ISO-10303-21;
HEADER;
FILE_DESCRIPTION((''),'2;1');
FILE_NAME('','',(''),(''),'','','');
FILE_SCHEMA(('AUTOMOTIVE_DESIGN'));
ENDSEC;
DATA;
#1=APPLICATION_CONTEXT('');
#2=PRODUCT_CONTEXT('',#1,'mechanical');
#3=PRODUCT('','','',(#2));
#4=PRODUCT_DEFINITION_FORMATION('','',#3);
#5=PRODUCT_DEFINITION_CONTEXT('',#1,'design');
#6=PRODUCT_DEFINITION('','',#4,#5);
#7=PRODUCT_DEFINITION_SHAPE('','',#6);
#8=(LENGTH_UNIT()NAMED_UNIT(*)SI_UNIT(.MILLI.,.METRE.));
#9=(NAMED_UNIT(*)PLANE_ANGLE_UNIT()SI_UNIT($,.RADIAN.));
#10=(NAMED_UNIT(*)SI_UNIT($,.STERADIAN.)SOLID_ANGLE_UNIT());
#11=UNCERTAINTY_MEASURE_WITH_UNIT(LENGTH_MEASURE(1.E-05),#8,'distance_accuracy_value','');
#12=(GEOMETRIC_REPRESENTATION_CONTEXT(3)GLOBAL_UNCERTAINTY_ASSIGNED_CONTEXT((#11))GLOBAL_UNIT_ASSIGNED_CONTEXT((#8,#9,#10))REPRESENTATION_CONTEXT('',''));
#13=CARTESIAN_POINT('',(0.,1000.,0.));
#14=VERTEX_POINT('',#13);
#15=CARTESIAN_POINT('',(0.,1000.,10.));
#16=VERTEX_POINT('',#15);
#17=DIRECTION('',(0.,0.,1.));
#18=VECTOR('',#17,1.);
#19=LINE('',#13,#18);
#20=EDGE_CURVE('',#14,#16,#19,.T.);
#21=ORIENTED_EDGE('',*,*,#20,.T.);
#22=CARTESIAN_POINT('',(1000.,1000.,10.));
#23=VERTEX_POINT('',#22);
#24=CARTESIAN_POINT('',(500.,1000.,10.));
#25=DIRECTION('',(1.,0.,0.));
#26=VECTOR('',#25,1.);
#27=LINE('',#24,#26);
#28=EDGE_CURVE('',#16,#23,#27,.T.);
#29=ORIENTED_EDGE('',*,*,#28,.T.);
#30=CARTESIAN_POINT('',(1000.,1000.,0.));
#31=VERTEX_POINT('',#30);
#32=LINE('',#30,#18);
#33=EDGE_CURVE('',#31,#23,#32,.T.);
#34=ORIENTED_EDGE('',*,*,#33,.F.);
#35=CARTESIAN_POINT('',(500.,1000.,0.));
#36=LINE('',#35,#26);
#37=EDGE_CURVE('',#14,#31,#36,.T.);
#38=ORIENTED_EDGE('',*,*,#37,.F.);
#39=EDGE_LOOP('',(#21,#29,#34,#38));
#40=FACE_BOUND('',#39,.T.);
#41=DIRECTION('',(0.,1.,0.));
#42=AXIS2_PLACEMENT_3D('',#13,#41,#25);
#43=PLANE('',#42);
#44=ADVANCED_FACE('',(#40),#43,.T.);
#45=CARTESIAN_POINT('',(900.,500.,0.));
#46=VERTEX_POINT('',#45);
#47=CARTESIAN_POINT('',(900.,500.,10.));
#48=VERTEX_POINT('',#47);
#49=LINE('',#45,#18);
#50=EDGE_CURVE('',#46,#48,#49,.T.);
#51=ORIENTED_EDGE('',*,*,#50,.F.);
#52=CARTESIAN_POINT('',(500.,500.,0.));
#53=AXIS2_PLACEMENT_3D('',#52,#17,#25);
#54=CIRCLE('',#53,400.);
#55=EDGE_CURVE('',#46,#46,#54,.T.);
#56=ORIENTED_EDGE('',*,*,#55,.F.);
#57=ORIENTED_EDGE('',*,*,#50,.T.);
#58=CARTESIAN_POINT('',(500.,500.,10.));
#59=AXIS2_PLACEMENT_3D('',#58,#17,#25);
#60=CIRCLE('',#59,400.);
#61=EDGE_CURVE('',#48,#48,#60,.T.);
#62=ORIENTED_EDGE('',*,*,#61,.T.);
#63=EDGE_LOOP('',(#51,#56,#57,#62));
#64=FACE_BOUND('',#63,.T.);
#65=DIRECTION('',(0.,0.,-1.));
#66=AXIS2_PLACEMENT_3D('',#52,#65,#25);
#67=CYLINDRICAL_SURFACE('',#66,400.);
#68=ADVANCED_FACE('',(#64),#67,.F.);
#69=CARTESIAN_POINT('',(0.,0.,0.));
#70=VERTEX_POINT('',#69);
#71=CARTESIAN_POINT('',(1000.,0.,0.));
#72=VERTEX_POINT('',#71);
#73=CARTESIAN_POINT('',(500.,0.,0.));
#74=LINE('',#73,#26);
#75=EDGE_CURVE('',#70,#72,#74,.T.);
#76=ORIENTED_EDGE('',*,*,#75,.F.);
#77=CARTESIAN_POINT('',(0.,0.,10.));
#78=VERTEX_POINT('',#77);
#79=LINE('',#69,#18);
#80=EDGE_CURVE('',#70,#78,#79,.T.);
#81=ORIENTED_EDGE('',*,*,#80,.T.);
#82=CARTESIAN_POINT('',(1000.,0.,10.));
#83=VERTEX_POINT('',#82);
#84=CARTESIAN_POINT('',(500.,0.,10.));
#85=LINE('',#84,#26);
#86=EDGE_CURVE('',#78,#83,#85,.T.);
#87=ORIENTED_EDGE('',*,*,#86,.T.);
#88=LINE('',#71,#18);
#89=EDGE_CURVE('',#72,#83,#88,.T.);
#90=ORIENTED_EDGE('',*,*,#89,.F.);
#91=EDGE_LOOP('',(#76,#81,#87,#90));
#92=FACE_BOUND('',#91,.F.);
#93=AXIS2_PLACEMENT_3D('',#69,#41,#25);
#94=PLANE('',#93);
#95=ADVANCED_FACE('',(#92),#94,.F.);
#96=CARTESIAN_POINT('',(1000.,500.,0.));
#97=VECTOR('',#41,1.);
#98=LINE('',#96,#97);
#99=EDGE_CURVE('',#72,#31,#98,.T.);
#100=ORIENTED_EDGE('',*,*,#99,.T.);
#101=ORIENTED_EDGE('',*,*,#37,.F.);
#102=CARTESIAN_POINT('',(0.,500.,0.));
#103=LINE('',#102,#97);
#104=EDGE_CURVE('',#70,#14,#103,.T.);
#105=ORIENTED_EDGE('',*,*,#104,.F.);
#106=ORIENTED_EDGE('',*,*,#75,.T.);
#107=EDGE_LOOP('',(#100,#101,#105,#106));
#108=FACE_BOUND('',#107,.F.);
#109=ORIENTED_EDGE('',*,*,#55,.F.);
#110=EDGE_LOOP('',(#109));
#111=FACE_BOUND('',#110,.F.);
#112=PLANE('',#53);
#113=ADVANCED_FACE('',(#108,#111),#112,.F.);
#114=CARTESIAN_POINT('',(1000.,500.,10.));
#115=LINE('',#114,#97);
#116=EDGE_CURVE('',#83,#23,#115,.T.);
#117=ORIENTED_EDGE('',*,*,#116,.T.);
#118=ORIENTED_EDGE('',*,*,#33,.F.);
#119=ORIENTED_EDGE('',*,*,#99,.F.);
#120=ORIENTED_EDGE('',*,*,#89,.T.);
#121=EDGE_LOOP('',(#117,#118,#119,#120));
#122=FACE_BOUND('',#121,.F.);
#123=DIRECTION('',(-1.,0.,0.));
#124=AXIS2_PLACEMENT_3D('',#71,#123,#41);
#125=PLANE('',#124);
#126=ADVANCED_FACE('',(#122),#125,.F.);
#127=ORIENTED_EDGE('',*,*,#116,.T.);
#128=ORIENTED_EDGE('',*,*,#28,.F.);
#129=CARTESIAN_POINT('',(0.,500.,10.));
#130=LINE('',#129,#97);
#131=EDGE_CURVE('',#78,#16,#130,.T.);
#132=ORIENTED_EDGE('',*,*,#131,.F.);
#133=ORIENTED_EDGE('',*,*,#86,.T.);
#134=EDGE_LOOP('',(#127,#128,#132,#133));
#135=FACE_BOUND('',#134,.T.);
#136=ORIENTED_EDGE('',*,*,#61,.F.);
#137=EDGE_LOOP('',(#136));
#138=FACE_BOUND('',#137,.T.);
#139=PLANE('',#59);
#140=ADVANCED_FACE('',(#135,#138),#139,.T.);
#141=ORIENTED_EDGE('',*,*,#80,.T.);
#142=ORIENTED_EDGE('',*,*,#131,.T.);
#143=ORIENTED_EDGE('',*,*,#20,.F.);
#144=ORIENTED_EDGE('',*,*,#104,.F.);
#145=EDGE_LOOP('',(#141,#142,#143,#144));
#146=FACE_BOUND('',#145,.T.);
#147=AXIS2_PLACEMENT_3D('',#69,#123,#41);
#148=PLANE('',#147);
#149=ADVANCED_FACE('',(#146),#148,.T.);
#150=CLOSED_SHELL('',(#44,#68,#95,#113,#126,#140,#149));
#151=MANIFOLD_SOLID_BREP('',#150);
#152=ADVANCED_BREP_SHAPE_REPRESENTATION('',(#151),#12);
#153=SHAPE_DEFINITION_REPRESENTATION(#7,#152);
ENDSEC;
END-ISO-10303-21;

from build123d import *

# Parameters (mm, degrees)
CYLINDER_R     = 400
CYLINDER_DEPTH = 10
BOX_W          = 1000
BOX_H          = 1000
BOX_DEPTH      = 10


with BuildPart() as cylinder:
    # Cylinder → Cylinder (new body)
    with BuildSketch(Plane(origin=(500, 500, 0), x_dir=(1, 0, 0), z_dir=(0, 0, 1))):
        Circle(CYLINDER_R)
    extrude(amount=CYLINDER_DEPTH)


with BuildPart() as cut:
    # Box → Box (new body)
    with BuildSketch(Plane.XY):
        with Locations((500, 500)):
            Rectangle(BOX_W, BOX_H)
    extrude(amount=BOX_DEPTH)

    # Cut: cut Cylinder
    add(cylinder.part, mode=Mode.SUBTRACT)


solid = cut.part
